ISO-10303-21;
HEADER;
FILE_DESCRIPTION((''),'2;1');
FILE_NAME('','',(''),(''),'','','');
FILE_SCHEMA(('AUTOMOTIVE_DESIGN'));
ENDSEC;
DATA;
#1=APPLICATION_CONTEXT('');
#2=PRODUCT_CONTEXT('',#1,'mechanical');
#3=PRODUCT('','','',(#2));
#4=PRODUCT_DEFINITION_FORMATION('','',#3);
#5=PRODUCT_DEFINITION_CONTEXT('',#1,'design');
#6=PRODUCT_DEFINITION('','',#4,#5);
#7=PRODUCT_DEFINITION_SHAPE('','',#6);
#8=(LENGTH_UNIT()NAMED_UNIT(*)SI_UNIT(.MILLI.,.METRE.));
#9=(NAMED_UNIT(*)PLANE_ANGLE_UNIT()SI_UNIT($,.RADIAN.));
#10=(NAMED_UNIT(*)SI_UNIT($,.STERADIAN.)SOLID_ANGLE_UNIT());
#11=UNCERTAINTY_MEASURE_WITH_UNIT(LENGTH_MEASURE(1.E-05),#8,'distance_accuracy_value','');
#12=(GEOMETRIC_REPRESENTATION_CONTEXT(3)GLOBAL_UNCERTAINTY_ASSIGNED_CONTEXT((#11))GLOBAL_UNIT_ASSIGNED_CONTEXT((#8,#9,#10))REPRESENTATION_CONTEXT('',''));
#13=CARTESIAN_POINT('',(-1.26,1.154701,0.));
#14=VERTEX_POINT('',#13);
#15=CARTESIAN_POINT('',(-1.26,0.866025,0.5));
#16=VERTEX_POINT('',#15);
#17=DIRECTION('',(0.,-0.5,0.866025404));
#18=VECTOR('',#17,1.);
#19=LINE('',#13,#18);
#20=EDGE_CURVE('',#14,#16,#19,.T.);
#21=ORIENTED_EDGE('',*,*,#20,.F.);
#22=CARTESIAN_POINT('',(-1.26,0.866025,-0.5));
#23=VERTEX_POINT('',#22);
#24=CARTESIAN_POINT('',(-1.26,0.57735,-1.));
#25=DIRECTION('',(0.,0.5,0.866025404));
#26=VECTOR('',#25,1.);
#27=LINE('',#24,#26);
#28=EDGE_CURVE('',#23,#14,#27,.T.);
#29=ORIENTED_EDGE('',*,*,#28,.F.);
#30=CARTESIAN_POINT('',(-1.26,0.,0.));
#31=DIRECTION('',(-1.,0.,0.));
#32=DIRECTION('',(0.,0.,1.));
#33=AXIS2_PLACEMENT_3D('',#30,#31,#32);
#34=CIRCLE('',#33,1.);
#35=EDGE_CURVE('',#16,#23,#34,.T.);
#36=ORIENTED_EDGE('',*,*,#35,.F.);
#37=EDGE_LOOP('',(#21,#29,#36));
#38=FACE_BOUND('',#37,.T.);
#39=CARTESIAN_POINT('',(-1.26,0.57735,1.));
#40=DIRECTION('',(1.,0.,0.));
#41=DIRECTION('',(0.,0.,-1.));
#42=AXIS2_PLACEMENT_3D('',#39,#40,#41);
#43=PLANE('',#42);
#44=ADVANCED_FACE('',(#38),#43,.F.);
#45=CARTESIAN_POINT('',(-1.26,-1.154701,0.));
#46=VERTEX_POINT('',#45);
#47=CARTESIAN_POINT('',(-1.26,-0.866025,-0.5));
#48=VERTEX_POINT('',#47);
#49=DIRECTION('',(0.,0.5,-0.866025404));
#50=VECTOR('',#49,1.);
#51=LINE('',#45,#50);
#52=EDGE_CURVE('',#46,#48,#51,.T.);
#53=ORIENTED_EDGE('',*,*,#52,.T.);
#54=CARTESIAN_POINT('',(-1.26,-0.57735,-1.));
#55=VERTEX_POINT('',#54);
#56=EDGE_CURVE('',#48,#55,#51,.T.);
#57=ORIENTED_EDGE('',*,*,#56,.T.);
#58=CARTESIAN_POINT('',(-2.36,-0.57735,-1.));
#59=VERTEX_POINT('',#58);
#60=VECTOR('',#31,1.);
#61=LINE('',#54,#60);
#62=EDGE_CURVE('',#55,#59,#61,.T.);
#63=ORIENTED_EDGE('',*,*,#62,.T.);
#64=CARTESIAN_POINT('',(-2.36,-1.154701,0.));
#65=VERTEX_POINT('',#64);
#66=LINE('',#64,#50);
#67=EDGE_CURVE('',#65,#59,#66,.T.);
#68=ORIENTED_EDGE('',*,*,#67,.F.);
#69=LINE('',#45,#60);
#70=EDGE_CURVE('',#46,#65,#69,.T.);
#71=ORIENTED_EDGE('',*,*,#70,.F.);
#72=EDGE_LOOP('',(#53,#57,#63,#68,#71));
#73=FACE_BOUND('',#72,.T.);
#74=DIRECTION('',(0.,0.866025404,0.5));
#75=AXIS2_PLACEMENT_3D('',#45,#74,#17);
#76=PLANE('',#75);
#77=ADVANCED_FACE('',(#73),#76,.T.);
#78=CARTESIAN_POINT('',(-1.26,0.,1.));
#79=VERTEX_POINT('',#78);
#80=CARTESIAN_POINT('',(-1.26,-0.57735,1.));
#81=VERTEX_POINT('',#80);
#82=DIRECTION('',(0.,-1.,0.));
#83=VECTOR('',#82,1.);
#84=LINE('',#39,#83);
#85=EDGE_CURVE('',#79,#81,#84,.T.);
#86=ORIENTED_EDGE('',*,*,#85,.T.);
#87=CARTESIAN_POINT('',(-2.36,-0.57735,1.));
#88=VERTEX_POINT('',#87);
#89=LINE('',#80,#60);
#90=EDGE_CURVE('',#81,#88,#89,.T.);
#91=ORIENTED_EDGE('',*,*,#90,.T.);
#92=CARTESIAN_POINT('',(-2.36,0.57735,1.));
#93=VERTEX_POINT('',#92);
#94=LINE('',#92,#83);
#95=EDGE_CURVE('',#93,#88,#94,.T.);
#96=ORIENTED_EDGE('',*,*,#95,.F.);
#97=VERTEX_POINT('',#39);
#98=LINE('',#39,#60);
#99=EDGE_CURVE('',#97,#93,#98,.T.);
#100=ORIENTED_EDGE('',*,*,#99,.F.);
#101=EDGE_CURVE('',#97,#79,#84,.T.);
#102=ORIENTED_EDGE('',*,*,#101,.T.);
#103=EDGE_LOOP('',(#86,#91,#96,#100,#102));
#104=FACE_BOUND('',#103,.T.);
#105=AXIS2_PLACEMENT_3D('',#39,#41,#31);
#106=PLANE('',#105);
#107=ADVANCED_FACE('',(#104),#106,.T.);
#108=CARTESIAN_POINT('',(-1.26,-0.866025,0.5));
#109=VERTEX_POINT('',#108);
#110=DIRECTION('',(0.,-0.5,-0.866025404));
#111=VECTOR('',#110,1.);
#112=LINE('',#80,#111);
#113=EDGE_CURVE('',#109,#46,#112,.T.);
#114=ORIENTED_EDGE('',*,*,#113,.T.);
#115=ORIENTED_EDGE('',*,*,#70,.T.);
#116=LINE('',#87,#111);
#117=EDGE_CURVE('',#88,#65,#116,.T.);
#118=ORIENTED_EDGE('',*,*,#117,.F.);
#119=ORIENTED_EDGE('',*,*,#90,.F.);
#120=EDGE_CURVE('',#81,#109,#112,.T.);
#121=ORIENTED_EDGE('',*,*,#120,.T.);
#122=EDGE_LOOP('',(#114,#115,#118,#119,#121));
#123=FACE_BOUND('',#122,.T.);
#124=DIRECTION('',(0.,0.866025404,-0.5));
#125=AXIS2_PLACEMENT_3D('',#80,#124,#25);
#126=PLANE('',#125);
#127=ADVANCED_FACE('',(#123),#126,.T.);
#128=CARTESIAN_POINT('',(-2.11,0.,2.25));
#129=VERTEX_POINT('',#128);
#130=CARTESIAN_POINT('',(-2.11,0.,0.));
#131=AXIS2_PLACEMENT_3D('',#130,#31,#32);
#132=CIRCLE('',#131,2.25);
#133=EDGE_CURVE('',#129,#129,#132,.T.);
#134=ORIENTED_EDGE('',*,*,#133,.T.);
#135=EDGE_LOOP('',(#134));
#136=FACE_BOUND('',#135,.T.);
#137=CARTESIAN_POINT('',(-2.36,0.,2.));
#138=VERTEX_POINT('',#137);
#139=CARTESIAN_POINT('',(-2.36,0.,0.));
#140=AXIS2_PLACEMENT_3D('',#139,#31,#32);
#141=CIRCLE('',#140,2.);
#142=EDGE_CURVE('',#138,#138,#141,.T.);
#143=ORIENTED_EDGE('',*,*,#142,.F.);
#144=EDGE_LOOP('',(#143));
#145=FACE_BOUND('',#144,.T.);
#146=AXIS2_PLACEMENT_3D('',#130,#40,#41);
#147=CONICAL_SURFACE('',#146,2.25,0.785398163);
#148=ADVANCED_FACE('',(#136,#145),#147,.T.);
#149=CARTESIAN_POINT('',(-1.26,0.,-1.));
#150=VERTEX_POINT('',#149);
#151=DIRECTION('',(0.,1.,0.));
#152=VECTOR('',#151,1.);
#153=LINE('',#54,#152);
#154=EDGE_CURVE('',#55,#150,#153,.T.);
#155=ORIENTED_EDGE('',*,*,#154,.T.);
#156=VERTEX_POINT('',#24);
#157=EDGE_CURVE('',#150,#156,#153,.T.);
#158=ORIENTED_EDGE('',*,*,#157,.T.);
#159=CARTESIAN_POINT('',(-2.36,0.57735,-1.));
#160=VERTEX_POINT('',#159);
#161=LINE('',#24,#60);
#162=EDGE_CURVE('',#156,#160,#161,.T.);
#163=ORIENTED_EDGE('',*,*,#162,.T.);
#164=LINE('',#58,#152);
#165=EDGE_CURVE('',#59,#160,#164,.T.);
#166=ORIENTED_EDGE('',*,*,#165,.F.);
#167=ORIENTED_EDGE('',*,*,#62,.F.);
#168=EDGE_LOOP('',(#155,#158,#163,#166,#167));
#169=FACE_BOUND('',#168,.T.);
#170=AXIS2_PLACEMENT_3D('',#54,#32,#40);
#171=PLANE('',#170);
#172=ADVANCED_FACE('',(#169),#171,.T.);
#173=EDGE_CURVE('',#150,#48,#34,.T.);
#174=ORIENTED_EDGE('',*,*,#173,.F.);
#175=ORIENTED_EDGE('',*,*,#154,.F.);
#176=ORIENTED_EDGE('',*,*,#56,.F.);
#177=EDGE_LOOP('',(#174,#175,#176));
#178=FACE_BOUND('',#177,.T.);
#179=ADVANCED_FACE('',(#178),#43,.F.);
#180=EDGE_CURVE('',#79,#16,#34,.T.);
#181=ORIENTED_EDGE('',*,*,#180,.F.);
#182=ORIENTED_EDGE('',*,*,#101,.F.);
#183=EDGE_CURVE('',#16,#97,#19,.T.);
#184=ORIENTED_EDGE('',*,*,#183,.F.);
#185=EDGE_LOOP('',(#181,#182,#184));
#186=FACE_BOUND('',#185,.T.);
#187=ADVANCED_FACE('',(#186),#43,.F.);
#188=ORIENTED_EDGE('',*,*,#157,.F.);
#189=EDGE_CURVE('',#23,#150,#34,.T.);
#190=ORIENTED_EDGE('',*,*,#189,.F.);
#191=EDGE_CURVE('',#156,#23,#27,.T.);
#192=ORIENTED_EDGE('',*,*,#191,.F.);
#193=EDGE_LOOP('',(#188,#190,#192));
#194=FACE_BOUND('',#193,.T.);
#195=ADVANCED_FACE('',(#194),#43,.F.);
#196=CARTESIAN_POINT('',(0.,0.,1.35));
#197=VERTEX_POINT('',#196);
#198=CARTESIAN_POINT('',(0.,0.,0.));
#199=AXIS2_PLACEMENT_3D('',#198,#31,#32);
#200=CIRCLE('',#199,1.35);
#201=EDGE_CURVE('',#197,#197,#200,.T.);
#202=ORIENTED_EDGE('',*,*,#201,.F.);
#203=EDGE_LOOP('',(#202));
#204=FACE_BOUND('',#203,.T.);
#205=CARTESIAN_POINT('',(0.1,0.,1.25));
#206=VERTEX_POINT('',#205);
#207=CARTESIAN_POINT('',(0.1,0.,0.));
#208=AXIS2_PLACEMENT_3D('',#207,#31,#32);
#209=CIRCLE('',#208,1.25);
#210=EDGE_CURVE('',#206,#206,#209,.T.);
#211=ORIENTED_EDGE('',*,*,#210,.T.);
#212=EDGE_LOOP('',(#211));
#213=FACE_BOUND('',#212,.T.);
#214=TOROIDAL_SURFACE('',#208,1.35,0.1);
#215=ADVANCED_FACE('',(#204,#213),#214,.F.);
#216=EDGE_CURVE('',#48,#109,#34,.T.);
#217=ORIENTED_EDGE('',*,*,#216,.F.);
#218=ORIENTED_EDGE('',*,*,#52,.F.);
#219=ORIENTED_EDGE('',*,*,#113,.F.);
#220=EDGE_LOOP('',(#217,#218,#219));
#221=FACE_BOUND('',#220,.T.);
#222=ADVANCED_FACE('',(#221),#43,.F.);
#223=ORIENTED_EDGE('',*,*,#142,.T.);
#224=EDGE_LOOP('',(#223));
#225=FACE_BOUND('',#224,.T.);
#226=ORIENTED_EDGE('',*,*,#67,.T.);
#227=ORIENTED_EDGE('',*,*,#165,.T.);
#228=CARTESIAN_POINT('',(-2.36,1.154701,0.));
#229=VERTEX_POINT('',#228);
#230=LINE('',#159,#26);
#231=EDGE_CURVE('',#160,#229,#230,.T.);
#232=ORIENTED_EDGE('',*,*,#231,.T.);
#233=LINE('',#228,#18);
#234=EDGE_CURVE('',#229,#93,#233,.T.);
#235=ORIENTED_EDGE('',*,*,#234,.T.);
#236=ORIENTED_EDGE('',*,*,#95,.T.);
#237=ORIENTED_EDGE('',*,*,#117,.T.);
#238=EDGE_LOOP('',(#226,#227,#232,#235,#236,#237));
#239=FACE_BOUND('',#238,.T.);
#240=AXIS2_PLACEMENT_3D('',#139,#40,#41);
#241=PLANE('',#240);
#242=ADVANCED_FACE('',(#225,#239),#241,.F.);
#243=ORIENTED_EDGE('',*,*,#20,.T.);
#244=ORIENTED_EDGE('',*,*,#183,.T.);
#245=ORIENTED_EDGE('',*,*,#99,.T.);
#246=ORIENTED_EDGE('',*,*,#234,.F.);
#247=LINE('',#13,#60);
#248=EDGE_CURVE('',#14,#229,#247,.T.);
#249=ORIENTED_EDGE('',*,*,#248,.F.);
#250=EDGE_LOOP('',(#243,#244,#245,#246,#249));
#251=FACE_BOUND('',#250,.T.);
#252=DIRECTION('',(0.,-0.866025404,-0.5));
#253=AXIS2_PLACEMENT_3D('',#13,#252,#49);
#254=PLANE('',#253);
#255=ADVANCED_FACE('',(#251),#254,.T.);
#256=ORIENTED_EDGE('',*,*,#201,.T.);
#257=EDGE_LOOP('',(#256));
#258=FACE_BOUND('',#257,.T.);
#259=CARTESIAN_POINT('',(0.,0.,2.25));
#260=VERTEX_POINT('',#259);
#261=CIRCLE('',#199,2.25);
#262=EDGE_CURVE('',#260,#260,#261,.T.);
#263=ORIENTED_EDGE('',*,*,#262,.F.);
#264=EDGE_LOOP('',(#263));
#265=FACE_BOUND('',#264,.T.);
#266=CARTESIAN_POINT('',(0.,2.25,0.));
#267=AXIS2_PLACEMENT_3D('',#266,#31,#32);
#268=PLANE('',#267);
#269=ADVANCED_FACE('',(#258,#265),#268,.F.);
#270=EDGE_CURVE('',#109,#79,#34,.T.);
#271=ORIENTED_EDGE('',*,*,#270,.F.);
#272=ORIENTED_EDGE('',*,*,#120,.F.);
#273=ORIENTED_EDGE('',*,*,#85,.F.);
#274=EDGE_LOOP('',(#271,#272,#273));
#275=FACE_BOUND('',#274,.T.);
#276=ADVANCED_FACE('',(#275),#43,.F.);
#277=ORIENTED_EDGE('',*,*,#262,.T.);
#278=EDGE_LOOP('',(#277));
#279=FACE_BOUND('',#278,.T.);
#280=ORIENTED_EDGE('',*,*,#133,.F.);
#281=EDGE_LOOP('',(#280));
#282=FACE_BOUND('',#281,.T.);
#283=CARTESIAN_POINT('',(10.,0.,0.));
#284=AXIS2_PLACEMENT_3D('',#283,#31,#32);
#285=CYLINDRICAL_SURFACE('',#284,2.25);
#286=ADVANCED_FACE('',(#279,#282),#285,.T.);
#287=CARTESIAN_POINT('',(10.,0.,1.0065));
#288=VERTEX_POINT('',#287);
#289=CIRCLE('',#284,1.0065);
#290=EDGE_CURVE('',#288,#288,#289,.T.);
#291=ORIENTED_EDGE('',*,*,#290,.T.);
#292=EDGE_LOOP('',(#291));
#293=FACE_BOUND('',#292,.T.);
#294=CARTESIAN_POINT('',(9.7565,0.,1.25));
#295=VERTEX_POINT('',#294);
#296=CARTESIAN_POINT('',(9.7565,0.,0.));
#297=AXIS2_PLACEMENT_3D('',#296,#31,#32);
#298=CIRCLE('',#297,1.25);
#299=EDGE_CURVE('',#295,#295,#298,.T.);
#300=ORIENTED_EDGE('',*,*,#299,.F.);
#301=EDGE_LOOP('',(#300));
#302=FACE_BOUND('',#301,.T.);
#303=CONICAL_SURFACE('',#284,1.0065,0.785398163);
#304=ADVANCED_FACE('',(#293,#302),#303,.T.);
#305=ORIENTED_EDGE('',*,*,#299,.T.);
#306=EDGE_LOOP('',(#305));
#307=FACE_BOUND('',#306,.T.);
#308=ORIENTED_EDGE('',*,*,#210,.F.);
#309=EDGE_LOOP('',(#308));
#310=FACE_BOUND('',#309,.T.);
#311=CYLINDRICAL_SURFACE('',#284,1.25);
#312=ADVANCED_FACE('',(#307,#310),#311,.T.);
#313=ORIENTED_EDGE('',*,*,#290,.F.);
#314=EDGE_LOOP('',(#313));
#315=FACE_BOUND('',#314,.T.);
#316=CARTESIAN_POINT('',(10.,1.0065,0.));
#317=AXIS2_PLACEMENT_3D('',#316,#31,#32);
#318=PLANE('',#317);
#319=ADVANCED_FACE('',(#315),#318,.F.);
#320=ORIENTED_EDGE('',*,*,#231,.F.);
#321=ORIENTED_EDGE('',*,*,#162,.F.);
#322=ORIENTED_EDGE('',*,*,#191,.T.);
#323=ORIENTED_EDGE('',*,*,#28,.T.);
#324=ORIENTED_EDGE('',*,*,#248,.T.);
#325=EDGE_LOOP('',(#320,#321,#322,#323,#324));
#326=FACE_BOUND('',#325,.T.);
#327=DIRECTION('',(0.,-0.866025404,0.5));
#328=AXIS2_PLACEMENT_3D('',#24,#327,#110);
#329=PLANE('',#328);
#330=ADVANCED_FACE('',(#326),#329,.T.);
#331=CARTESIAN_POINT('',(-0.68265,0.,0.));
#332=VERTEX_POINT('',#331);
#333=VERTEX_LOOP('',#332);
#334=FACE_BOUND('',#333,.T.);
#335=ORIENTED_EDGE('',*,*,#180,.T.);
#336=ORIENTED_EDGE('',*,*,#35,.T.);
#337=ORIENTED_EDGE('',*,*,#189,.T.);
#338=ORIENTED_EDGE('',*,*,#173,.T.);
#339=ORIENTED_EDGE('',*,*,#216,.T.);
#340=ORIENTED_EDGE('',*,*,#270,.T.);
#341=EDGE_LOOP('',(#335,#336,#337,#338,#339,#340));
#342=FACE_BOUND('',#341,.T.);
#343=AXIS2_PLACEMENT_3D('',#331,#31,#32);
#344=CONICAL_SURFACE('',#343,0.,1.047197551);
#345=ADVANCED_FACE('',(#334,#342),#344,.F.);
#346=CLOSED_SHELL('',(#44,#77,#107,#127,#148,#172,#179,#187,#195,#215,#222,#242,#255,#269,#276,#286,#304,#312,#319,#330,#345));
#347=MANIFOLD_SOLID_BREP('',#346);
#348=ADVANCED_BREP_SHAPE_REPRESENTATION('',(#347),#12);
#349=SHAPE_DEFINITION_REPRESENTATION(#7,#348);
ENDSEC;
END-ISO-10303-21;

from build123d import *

# Parameters (mm, degrees)
CUT_EXTRUDE1_DEPTH = 1.1


with BuildPart() as part:
    # Sketch1 → Revolve1 (revolve)
    with BuildSketch(Plane.XY):
        with BuildLine():
            Line((-2.36, 0), (-2.36, 2))
            Line((-2.36, 2), (-2.11, 2.25))
            Line((-2.11, 2.25), (0, 2.25))
            Line((0, 2.25), (0, 1.35))
            ThreePointArc((0, 1.35), (0.029289322, 1.279289322), (0.1, 1.25))
            Line((0.1, 1.25), (9.7565, 1.25))
            Line((9.7565, 1.25), (10, 1.0065))
            Line((10, 1.0065), (10, 0))
            Line((10, 0), (-2.36, 0))
        make_face()
    revolve(axis=Axis((10, 0, 0), (-1, 0, 0)))

    # Sketch2 → Cut-Extrude1 (cut)
    with BuildSketch(Plane(origin=(-2.36, 0, 0), x_dir=(0, 0, -1), z_dir=(1, 0, 0))):
        Polygon((-1, 0.577350269), (-1, -0.577350269), (0, -1.154700538), (1, -0.577350269), (1, 0.577350269), (0, 1.154700538), align=None)
    extrude(amount=CUT_EXTRUDE1_DEPTH, mode=Mode.SUBTRACT)

    # Sketch3 → Cut-Revolve1 (revolve, cut)
    with BuildSketch(Plane.XY):
        Polygon((-1.26, 0), (-1.26, 1), (-0.682649731, 0), align=None)
    revolve(axis=Axis((-0.682649731, 0, 0), (-1, 0, 0)), mode=Mode.SUBTRACT)


solid = part.part
